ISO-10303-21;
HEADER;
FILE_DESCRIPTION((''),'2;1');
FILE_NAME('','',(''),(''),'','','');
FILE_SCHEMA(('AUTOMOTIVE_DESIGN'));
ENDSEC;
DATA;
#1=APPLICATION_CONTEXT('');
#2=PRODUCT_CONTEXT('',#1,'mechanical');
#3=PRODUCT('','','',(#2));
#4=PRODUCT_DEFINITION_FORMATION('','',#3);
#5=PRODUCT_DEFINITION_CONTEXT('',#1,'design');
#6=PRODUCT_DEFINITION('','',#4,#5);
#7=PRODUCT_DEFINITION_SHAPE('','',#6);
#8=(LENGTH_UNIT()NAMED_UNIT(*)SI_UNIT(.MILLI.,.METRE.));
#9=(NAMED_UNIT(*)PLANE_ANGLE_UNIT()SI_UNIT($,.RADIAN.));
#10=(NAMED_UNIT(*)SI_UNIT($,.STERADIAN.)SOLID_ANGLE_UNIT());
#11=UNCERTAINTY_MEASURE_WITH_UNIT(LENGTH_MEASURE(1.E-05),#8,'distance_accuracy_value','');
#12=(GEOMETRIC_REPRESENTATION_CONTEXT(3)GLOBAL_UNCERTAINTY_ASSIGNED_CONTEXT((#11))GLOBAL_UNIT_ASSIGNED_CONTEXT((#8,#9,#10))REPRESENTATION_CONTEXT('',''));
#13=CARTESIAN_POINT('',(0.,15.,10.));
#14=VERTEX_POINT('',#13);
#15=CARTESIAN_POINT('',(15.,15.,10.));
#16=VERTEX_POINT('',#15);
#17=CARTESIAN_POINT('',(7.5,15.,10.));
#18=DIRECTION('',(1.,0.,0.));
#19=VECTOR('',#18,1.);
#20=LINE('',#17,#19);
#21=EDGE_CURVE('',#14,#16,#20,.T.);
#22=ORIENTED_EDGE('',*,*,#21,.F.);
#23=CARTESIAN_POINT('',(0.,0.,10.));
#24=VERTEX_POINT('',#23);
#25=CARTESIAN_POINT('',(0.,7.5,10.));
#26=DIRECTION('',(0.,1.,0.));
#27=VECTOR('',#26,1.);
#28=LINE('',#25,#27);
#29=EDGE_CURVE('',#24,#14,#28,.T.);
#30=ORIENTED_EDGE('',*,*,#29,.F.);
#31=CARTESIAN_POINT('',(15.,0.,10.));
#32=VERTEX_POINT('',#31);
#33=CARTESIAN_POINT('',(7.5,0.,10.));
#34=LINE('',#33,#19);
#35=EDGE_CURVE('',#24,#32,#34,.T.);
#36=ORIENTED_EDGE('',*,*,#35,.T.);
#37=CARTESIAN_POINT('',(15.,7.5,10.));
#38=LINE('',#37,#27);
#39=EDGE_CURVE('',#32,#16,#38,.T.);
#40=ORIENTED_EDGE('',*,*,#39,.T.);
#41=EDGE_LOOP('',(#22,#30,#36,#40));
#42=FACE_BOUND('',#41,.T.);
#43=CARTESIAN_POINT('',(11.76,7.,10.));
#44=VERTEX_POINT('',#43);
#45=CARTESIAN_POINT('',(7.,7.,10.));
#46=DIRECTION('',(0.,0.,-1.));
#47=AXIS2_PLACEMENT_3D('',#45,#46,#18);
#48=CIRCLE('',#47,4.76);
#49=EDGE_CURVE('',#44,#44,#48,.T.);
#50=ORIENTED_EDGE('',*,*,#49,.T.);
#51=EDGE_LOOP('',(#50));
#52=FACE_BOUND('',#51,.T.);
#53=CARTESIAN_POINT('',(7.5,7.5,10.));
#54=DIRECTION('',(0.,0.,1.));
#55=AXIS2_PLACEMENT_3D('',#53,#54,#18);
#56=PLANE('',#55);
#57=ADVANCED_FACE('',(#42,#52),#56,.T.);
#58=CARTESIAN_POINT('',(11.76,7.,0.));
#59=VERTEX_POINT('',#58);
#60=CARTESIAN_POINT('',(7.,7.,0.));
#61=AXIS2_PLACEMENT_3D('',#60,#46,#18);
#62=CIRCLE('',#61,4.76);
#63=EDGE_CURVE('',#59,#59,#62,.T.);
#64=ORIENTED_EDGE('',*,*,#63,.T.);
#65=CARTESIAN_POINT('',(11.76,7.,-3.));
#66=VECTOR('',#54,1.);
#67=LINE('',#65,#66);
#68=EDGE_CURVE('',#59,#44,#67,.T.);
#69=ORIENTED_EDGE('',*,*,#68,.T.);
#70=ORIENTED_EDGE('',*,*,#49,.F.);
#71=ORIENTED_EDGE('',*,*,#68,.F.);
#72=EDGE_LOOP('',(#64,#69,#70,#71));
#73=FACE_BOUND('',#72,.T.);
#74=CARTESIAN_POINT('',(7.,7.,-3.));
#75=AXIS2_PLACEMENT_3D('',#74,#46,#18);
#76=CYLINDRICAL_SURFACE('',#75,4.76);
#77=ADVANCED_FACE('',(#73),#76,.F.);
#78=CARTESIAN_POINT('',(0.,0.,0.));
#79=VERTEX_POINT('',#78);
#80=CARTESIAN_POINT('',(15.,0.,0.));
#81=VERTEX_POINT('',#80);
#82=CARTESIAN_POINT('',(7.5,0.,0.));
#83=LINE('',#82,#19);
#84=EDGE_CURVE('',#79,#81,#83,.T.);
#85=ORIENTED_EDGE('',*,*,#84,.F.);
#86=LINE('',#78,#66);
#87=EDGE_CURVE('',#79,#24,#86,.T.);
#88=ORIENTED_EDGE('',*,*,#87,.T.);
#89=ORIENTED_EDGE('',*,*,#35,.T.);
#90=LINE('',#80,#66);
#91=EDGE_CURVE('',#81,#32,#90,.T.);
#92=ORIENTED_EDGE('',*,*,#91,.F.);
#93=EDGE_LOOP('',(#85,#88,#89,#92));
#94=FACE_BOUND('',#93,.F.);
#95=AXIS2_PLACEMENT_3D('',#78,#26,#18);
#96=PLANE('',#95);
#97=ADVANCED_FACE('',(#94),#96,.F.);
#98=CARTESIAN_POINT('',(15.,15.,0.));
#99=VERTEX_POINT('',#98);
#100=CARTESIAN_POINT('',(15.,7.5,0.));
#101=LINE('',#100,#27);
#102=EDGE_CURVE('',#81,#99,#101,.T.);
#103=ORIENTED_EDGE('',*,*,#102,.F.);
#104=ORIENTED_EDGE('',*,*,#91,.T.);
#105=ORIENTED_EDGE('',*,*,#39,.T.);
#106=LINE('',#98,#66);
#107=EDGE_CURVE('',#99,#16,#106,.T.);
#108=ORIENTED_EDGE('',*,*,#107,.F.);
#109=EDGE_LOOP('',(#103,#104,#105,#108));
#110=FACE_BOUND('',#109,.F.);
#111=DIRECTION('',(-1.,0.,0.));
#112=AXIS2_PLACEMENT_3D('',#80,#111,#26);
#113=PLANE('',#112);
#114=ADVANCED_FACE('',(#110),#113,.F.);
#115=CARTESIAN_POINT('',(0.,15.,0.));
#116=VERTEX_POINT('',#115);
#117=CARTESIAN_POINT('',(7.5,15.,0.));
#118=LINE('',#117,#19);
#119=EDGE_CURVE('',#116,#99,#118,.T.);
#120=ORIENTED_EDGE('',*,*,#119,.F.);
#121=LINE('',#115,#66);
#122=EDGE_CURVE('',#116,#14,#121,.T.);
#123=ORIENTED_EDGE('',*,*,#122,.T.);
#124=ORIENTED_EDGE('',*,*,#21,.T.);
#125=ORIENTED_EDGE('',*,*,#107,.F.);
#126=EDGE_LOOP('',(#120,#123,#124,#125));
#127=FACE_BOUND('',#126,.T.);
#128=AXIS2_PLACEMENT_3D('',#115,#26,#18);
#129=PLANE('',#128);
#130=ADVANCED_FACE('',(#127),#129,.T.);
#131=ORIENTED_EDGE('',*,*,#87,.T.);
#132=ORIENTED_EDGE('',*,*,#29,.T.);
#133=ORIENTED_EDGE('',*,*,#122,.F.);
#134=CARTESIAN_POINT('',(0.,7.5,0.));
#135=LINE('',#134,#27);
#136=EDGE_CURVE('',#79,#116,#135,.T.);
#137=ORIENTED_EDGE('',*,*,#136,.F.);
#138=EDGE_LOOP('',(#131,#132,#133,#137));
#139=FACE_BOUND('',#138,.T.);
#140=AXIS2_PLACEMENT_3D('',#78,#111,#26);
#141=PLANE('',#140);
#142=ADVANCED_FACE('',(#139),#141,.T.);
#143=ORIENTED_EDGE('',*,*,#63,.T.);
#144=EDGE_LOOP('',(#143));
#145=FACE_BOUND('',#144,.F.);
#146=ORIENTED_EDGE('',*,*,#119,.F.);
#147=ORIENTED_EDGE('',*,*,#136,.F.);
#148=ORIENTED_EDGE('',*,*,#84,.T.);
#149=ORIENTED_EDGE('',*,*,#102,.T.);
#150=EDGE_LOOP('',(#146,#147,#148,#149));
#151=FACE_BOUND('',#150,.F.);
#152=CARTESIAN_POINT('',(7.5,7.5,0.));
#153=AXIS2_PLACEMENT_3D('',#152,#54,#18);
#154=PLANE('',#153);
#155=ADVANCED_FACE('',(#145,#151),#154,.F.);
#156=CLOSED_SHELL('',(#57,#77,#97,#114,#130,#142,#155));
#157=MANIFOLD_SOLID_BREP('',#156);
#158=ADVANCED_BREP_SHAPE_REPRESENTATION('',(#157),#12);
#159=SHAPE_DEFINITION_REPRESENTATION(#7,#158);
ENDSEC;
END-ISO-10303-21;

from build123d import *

# Parameters (mm, degrees)
CYLINDER_R     = 4.76
CYLINDER_DEPTH = 15
BOX_W          = 15
BOX_H          = 15
BOX_DEPTH      = 10


with BuildPart() as cylinder:
    # Cylinder → Cylinder (new body)
    with BuildSketch(Plane(origin=(7, 7, -3), x_dir=(1, 0, 0), z_dir=(0, 0, 1))):
        Circle(CYLINDER_R)
    extrude(amount=CYLINDER_DEPTH)


with BuildPart() as cut:
    # Box → Box (new body)
    with BuildSketch(Plane.XY):
        with Locations((7.5, 7.5)):
            Rectangle(BOX_W, BOX_H)
    extrude(amount=BOX_DEPTH)

    # Cut: cut Cylinder
    add(cylinder.part, mode=Mode.SUBTRACT)


solid = cut.part
